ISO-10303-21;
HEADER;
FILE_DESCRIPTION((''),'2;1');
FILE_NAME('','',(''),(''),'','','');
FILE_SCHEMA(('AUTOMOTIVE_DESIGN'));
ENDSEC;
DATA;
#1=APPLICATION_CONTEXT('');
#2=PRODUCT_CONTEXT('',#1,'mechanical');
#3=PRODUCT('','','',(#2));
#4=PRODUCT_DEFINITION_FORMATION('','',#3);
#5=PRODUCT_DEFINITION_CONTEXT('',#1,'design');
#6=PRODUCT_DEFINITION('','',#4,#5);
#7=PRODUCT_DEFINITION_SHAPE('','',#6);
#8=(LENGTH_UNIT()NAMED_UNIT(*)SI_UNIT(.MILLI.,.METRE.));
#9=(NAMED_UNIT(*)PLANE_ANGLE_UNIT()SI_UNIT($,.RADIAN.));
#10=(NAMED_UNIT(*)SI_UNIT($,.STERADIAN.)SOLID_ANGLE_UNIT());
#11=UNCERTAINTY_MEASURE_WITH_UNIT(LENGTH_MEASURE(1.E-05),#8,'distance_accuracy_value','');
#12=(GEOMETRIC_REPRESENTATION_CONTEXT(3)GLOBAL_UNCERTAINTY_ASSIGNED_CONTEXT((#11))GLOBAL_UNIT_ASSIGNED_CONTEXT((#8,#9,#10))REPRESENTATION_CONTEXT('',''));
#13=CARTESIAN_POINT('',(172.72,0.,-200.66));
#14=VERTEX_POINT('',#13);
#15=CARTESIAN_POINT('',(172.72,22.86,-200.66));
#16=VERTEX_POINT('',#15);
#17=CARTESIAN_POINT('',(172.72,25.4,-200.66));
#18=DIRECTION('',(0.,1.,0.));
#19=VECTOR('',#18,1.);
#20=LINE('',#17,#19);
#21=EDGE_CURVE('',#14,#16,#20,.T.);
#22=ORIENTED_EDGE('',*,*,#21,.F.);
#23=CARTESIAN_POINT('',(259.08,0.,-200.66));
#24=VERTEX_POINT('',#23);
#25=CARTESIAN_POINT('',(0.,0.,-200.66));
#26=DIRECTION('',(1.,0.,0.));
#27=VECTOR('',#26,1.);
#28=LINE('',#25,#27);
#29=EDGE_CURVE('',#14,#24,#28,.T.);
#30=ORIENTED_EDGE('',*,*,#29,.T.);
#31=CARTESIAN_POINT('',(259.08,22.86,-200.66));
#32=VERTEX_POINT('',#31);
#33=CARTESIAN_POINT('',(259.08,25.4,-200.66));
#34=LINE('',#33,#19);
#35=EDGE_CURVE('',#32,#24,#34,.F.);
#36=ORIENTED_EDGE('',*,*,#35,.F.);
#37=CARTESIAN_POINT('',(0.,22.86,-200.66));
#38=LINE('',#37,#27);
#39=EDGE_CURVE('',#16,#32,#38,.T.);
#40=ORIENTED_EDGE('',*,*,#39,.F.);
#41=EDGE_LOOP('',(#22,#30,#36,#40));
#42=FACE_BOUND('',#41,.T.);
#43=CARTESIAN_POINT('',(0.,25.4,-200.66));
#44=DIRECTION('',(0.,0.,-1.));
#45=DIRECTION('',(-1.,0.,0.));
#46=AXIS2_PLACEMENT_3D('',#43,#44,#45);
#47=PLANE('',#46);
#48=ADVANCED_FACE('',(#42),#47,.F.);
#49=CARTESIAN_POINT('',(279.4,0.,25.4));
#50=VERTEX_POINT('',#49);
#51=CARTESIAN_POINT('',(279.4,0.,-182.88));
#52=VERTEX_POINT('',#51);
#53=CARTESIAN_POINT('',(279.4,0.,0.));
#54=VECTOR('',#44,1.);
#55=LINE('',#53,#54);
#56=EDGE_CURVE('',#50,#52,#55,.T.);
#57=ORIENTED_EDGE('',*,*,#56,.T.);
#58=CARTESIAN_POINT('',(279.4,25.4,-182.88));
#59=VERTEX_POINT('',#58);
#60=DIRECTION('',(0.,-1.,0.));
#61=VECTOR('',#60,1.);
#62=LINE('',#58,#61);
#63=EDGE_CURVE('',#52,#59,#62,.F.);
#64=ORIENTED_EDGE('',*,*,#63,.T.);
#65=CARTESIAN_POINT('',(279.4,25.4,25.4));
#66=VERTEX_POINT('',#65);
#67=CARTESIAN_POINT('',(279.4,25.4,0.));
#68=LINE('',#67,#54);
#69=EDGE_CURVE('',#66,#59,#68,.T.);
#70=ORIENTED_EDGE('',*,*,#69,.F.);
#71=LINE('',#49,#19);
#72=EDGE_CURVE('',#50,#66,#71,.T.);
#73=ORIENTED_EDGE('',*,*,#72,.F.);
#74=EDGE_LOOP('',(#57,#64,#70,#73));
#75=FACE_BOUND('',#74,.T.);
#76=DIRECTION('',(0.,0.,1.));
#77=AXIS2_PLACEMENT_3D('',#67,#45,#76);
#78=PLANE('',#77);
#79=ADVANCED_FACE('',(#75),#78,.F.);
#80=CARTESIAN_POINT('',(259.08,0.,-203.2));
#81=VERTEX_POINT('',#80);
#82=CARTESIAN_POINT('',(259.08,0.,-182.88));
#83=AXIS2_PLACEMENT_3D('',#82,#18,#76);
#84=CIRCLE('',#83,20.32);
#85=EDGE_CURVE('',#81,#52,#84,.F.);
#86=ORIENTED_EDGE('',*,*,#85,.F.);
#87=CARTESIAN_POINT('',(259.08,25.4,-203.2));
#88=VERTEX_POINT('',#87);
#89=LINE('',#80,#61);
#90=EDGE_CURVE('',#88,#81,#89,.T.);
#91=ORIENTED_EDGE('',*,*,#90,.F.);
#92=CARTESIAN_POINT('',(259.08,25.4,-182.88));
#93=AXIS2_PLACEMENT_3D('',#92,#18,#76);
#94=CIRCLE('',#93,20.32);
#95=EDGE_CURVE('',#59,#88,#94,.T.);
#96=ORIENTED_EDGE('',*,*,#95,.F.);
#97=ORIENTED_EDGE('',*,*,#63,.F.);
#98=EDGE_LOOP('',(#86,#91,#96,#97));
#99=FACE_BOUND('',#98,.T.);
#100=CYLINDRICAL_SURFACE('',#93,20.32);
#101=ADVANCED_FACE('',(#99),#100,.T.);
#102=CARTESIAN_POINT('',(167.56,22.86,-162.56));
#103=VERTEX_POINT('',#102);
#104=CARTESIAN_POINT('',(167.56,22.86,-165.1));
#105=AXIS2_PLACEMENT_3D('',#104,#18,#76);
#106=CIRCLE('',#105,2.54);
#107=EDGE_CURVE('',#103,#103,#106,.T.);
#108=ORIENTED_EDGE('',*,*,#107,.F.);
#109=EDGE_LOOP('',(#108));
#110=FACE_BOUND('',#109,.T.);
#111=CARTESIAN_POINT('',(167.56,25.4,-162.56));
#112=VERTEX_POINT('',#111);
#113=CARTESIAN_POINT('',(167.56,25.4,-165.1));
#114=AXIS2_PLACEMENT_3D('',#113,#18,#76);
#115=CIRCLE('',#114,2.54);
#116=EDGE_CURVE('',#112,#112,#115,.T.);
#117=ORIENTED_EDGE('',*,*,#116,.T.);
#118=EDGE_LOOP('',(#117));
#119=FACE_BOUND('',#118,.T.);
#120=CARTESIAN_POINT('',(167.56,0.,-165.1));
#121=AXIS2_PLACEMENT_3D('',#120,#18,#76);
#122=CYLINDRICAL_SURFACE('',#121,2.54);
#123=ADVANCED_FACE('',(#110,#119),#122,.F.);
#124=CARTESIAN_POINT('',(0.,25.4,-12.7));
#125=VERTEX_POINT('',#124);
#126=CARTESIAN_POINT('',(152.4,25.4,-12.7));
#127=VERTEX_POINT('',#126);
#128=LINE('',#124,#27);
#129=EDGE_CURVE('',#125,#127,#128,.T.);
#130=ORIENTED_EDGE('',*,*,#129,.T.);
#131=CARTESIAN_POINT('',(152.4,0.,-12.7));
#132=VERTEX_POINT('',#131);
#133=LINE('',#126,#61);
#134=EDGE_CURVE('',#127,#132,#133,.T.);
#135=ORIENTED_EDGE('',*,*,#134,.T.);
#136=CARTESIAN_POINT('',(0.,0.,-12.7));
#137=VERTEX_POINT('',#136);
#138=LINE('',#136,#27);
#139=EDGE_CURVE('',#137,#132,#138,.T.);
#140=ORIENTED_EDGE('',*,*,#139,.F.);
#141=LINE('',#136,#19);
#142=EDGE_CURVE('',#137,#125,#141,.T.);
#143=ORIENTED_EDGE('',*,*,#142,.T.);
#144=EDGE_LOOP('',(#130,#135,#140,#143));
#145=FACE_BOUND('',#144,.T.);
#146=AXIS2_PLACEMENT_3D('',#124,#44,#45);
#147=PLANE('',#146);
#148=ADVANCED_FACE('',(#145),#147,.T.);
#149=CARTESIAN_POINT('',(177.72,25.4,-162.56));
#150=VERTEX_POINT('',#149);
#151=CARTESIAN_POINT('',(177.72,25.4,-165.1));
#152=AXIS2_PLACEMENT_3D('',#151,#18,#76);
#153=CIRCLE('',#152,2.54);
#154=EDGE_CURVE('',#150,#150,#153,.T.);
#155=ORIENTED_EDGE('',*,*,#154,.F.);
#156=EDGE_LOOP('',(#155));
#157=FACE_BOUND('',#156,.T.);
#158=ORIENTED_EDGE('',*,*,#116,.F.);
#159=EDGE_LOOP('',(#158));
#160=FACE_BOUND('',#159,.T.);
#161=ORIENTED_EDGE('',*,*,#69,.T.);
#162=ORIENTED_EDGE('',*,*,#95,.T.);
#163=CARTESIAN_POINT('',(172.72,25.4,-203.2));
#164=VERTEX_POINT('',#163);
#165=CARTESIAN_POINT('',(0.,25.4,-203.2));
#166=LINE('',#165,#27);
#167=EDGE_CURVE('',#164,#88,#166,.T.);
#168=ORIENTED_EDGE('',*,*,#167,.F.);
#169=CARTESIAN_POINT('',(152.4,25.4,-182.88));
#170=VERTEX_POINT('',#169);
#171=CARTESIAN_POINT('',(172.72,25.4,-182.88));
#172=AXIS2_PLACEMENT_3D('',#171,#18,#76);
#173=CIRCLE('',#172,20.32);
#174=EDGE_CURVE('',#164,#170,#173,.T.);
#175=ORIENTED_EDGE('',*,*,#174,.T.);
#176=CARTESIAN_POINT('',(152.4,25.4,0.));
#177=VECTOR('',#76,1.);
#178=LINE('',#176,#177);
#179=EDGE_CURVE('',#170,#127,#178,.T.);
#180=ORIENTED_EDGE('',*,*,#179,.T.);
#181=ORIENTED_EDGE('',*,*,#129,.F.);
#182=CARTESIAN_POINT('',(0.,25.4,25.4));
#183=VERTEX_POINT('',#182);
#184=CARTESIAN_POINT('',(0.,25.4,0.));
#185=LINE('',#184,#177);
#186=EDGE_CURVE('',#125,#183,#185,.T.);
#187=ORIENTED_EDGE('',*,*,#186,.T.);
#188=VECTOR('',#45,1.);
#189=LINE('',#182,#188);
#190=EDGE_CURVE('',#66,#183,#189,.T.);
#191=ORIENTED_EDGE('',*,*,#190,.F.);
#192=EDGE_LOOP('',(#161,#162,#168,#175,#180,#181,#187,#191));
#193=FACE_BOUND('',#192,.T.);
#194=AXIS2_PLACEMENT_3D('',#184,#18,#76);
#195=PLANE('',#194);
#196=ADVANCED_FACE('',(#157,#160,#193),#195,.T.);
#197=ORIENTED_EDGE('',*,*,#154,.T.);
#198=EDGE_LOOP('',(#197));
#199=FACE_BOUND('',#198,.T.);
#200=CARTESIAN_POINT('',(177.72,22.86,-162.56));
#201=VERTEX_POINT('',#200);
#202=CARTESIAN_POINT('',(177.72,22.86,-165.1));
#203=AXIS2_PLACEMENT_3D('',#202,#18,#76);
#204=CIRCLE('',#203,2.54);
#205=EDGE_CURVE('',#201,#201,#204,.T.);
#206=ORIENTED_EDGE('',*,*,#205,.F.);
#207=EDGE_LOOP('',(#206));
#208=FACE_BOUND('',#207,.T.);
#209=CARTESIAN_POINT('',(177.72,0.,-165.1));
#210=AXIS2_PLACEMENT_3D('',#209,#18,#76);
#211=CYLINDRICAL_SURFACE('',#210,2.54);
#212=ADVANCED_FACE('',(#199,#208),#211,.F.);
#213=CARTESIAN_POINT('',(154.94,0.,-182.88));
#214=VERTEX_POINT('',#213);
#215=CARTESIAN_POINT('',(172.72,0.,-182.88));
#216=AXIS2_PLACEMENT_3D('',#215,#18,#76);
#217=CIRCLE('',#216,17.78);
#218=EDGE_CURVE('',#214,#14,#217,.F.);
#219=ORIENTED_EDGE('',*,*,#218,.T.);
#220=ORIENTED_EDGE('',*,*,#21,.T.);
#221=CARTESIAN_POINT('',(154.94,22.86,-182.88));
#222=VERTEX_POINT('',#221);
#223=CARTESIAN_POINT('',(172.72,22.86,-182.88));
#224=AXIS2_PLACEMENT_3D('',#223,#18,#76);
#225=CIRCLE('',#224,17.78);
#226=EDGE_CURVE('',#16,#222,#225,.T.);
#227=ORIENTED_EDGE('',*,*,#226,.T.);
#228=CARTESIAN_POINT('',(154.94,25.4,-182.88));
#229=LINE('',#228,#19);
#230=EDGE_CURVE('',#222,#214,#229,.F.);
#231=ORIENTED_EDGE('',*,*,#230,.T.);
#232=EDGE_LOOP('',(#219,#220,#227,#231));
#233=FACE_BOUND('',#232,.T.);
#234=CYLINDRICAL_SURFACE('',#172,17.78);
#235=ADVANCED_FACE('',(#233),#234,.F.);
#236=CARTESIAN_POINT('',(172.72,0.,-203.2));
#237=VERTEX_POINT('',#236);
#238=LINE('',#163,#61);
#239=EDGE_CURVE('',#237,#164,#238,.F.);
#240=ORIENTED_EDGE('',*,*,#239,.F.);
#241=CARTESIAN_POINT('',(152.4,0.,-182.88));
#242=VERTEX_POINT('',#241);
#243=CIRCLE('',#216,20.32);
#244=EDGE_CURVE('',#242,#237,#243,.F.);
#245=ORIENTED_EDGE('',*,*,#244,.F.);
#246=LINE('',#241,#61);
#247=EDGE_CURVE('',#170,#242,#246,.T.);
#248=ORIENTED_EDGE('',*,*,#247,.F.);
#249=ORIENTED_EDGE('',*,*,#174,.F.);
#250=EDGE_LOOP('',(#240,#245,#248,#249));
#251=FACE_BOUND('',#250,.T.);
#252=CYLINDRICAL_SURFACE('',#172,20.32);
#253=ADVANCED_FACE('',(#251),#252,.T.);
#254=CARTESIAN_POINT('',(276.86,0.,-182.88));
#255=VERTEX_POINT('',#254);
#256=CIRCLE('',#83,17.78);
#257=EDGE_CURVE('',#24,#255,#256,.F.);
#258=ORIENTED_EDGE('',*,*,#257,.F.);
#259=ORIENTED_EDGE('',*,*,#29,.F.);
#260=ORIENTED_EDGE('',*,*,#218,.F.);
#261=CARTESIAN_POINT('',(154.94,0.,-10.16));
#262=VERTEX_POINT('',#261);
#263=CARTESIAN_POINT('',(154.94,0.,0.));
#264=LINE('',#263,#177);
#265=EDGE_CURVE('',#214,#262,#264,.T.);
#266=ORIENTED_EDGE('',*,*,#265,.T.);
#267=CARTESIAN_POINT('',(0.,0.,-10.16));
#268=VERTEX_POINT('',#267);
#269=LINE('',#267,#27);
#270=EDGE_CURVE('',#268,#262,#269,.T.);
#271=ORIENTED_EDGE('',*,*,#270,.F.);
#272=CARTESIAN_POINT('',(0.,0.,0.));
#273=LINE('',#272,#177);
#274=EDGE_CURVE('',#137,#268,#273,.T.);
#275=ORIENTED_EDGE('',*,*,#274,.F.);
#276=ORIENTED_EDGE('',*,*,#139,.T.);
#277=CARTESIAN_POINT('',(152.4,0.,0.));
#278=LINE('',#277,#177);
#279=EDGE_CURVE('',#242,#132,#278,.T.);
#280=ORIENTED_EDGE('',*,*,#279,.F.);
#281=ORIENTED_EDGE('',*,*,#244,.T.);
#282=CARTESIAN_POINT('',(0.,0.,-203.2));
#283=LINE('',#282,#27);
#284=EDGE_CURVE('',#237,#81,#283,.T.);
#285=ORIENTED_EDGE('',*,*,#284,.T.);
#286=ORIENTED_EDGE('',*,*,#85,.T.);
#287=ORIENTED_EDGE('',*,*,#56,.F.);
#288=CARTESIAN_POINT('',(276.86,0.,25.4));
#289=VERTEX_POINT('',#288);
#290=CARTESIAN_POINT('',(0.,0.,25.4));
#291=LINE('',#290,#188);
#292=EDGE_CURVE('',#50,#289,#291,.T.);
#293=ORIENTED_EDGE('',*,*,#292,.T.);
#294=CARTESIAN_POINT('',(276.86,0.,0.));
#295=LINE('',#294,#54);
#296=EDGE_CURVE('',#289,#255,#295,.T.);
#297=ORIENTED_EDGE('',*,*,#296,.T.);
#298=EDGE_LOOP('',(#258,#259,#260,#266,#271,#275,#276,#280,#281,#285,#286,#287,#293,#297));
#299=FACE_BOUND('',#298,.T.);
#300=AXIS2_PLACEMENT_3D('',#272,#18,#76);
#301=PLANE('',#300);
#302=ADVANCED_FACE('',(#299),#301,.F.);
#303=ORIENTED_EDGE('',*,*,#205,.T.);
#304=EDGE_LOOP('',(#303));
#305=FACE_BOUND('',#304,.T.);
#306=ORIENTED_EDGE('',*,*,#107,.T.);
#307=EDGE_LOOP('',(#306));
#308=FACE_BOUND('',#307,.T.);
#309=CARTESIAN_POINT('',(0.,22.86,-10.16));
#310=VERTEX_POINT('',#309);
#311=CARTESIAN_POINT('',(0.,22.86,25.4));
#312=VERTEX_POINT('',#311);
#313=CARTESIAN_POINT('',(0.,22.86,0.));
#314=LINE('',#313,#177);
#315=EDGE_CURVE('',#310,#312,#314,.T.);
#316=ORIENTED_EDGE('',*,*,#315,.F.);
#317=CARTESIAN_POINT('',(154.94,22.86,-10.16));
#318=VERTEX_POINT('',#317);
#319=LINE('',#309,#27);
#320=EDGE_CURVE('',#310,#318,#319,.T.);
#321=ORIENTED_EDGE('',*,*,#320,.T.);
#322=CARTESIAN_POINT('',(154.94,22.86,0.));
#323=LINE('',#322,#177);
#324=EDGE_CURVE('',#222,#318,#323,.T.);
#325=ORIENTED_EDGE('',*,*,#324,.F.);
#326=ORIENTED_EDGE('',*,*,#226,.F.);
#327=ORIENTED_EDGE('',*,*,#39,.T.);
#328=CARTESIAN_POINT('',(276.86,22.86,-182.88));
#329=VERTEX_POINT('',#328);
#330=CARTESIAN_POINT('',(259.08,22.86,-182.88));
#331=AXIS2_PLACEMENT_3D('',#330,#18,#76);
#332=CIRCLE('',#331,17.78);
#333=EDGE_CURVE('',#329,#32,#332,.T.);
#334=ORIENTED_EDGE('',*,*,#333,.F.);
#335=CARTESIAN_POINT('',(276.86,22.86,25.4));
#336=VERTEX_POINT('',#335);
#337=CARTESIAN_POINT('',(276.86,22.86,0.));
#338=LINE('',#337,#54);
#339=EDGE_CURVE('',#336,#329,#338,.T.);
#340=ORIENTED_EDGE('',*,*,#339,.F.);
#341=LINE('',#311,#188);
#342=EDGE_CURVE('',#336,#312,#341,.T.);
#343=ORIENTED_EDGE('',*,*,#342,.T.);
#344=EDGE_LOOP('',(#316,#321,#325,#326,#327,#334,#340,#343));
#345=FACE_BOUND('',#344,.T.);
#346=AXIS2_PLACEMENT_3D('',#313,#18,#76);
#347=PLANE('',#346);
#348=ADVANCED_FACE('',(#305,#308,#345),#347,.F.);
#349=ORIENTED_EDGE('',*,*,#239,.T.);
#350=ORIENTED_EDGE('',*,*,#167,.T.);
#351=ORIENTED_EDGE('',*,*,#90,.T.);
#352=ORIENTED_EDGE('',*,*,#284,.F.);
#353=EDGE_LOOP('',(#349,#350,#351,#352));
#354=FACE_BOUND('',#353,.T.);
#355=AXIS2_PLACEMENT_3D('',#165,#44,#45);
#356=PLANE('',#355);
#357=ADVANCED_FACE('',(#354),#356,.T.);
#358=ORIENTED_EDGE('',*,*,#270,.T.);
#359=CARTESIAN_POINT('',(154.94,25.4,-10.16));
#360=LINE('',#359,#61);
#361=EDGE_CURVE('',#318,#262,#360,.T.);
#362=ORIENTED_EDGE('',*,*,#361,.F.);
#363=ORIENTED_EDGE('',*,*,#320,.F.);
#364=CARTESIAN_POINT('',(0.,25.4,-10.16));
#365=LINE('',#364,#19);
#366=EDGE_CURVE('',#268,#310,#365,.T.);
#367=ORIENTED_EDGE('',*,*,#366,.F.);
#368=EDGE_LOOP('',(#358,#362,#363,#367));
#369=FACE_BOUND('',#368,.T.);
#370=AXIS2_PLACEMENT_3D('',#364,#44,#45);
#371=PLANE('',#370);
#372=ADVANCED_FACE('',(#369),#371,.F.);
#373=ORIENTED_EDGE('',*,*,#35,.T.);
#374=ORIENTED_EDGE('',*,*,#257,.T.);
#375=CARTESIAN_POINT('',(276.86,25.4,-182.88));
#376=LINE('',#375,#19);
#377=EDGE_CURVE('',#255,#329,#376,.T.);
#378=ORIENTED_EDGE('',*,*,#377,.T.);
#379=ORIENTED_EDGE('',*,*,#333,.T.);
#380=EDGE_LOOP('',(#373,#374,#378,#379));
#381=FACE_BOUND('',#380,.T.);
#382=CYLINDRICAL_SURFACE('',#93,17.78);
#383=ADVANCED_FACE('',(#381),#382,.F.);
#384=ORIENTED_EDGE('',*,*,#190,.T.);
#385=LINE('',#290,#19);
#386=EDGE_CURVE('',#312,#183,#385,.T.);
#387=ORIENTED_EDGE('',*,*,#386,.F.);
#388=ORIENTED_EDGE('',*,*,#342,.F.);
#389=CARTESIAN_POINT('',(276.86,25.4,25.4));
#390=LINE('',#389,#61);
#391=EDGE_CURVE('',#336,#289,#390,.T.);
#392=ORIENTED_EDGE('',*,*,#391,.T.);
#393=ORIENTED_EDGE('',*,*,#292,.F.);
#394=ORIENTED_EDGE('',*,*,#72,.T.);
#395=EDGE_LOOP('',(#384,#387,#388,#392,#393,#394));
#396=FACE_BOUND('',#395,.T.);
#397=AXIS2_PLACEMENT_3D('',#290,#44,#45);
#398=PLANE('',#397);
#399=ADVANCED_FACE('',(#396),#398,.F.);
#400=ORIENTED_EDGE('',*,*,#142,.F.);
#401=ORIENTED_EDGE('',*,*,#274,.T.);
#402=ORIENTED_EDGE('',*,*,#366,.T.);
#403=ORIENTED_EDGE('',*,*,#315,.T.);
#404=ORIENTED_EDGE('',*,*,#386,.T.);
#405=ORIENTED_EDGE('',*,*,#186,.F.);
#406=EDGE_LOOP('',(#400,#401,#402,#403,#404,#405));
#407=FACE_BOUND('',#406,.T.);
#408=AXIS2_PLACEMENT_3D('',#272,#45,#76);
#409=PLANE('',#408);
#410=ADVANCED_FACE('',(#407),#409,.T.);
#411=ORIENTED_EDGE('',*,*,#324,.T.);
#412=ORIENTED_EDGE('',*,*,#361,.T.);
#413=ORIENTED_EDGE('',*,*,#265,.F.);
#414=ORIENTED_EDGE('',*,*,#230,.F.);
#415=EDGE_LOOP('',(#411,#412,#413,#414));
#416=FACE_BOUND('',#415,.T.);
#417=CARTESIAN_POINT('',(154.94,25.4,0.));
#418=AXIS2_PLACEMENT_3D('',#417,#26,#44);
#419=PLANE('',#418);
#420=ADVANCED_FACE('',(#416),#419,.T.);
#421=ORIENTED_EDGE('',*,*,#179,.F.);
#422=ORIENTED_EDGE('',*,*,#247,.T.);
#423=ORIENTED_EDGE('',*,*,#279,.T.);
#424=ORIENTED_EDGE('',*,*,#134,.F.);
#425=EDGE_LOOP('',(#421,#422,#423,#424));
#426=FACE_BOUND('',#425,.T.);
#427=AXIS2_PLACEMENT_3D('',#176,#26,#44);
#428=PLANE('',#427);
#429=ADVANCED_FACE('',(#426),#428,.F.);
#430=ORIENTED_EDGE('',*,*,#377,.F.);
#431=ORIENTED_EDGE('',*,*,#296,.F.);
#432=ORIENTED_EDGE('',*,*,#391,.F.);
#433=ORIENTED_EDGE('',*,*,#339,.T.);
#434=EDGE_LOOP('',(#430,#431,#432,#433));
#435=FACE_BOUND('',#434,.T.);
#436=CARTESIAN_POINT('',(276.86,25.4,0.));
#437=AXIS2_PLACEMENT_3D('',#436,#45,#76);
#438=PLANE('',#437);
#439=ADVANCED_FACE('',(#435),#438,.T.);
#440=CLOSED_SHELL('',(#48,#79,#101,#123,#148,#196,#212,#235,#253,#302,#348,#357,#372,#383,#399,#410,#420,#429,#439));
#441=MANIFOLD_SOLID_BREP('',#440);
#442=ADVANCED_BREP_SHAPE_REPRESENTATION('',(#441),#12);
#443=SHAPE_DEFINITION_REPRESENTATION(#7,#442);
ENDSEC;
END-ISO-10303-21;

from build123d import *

# Parameters (mm, degrees)
BOSS_EXTRUDE1_DEPTH = 25.4
FILLET1_R           = 20.32
SHELL1_T            = -2.54
SKETCH2_R           = 2.54
CUT_EXTRUDE1_DEPTH  = 347.409815103
CUT_EXTRUDE2_DEPTH  = 347.409815103


with BuildPart() as part:
    # Sketch1 → Boss-Extrude1 (new body)
    with BuildSketch(Plane(origin=(0, 0, 0), x_dir=(1, 0, 0), z_dir=(0, 1, 0))):
        Polygon((-279.4, 203.2), (-279.4, -203.2), (279.4, -203.2), (279.4, 203.2), (152.4, 203.2), (152.4, 12.7), (-152.4, 12.7), (-152.4, 203.2), align=None)
    extrude(amount=BOSS_EXTRUDE1_DEPTH)

    # Fillet1
    fillet1_edges = [part.edges().sort_by_distance(p)[0] for p in [
        (279.4, 12.7, -203.2),
        (-279.4, 12.7, -203.2),
        (-152.4, 12.7, -203.2),
        (152.4, 12.7, -203.2),
    ]]
    fillet(fillet1_edges, radius=FILLET1_R)

    # Shell1
    shell1_openings = [part.faces().sort_by_distance(p)[0] for p in [
        (0, 0, 37.577423361),
    ]]
    offset(amount=SHELL1_T, openings=shell1_openings, kind=Kind.INTERSECTION)

    # Sketch2 → Cut-Extrude1 (cut, through all)
    with BuildSketch(Plane(origin=(0, 25.4, 0), x_dir=(1, 0, 0), z_dir=(0, 1, 0))):
        with Locations(Location((-177.72, 165.1, 0), (0, 0, 270))):
            Circle(SKETCH2_R)
        with Locations(Location((-167.56, 165.1, 0), (0, 0, 270))):
            Circle(SKETCH2_R)
        with Locations(Location((167.56, 165.1, 0), (0, 0, 270))):
            Circle(SKETCH2_R)
        with Locations(Location((177.72, 165.1, 0), (0, 0, 270))):
            Circle(SKETCH2_R)
    extrude(amount=-CUT_EXTRUDE1_DEPTH, mode=Mode.SUBTRACT)

    # Sketch3 → Cut-Extrude2 (cut, through all)
    with BuildSketch(Plane(origin=(0, 25.4, 0), x_dir=(1, 0, 0), z_dir=(0, 1, 0))):
        Polygon((279.4, -253.088506779), (279.4, -25.4), (0, -25.4), (0, 203.2), (-296.633483773, 203.2), (-305.626462942, -253.088506779), align=None)
    extrude(amount=-CUT_EXTRUDE2_DEPTH, mode=Mode.SUBTRACT)


solid = part.part
